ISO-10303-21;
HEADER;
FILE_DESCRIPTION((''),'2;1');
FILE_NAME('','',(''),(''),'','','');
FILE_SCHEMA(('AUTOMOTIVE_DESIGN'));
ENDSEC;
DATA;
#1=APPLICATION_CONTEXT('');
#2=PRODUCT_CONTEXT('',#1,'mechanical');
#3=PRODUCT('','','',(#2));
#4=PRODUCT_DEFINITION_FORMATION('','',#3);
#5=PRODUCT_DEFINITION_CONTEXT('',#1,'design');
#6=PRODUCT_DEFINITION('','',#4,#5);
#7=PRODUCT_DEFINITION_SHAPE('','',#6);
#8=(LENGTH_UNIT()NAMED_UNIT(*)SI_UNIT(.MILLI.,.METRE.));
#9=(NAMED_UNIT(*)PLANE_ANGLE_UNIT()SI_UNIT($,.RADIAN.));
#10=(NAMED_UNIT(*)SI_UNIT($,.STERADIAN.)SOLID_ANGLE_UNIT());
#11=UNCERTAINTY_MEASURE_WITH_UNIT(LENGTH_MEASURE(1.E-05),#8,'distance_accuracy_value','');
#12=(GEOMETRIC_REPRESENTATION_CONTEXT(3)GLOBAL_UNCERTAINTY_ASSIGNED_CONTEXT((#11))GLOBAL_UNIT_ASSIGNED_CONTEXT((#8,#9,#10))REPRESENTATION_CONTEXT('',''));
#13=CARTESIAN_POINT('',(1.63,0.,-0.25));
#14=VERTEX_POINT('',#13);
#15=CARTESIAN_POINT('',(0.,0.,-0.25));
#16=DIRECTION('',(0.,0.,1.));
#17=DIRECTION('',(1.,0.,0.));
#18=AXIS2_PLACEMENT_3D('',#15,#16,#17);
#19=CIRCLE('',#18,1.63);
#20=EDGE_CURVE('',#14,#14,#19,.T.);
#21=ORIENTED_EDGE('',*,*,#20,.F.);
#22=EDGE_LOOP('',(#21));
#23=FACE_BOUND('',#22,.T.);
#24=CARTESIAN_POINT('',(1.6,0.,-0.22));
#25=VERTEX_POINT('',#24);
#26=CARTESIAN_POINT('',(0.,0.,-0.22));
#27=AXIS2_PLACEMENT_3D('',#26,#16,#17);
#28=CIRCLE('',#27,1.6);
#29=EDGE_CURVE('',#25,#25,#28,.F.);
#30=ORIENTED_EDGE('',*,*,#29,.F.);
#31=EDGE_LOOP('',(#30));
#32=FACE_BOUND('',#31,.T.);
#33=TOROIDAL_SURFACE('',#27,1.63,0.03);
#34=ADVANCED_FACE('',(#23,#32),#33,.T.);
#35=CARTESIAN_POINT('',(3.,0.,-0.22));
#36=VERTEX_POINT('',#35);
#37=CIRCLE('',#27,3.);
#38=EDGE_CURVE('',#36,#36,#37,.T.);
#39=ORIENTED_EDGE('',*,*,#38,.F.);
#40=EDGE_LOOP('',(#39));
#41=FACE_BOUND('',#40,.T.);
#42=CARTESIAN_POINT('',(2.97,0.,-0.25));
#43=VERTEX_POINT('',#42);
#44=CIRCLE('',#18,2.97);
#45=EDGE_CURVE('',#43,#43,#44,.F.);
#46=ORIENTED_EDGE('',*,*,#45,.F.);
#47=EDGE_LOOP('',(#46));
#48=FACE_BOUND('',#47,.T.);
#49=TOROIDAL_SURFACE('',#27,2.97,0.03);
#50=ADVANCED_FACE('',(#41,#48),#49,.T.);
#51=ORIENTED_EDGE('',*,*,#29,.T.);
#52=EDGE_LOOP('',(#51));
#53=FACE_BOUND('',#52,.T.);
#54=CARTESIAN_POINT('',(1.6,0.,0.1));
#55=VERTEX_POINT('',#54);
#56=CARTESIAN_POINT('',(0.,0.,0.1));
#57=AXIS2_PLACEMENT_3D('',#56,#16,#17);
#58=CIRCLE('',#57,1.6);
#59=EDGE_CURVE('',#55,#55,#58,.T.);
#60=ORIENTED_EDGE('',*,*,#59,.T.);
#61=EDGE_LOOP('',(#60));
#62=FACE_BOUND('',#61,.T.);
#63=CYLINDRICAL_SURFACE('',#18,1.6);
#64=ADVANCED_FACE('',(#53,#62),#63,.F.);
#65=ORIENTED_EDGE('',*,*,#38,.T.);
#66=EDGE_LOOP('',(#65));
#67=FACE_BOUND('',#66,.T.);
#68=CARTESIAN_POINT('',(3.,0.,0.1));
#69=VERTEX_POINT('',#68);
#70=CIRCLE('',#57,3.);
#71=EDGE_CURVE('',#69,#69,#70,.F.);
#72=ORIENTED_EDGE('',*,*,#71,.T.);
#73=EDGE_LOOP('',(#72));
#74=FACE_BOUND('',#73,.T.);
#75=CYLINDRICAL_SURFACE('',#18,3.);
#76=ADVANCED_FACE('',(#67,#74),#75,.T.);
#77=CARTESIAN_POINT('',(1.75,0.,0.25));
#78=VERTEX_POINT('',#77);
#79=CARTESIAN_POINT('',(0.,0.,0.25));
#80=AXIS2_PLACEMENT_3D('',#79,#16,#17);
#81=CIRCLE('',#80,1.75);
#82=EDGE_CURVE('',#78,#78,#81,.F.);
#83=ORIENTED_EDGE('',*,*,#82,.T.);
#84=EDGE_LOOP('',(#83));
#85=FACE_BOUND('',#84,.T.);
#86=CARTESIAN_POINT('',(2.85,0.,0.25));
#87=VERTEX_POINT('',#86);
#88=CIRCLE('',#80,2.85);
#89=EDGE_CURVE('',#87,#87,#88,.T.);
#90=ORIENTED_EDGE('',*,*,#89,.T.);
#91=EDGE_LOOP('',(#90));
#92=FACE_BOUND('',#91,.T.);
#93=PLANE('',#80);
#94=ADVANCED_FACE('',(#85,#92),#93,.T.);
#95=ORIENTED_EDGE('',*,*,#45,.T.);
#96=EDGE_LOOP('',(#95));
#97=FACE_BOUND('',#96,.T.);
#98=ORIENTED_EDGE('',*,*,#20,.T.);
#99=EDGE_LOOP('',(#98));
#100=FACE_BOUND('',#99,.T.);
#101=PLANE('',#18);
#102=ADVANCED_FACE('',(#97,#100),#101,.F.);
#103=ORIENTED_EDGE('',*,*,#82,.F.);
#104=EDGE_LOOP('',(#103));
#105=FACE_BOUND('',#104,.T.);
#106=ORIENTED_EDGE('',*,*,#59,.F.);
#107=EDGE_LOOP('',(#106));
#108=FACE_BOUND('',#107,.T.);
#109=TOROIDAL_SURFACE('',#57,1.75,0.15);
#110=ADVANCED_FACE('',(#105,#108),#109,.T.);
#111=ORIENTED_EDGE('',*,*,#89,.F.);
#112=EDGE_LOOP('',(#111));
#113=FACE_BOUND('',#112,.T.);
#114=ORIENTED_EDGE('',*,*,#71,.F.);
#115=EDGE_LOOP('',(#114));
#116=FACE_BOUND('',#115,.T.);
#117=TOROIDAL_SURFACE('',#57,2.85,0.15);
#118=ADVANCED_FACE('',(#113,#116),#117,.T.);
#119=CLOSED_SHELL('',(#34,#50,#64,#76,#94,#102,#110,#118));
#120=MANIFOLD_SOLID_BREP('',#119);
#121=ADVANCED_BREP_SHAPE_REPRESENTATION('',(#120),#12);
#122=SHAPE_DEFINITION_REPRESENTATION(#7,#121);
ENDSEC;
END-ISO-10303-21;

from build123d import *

# Parameters (mm, degrees)
BOSS_EXTRUDE1_DEPTH      = 0.25
BOSS_EXTRUDE1_DEPTH_BACK = 0.25
SKETCH3_R                = 3
SKETCH3_R_2              = 1.6
FILLET1_R                = 0.15
FILLET3_R                = 0.03


with BuildPart() as part:
    # Sketch3 → Boss-Extrude1 (new, two sides: drawn at the far end of the back side and taken through both)
    with BuildSketch(Plane.XY.offset(-BOSS_EXTRUDE1_DEPTH_BACK)):
        Circle(SKETCH3_R)
        Circle(SKETCH3_R_2, mode=Mode.SUBTRACT)
    extrude(amount=BOSS_EXTRUDE1_DEPTH + BOSS_EXTRUDE1_DEPTH_BACK)

    # Fillet1
    fillet1_edges = [part.edges().sort_by_distance(p)[0] for p in [
        (-3, 0, 0.25),
        (-1.6, 0, 0.25),
    ]]
    fillet(fillet1_edges, radius=FILLET1_R)

    # Fillet3
    fillet3_edges = [part.edges().sort_by_distance(p)[0] for p in [
        (-3, 0, -0.25),
        (-1.6, 0, -0.25),
    ]]
    fillet(fillet3_edges, radius=FILLET3_R)


solid = part.part
